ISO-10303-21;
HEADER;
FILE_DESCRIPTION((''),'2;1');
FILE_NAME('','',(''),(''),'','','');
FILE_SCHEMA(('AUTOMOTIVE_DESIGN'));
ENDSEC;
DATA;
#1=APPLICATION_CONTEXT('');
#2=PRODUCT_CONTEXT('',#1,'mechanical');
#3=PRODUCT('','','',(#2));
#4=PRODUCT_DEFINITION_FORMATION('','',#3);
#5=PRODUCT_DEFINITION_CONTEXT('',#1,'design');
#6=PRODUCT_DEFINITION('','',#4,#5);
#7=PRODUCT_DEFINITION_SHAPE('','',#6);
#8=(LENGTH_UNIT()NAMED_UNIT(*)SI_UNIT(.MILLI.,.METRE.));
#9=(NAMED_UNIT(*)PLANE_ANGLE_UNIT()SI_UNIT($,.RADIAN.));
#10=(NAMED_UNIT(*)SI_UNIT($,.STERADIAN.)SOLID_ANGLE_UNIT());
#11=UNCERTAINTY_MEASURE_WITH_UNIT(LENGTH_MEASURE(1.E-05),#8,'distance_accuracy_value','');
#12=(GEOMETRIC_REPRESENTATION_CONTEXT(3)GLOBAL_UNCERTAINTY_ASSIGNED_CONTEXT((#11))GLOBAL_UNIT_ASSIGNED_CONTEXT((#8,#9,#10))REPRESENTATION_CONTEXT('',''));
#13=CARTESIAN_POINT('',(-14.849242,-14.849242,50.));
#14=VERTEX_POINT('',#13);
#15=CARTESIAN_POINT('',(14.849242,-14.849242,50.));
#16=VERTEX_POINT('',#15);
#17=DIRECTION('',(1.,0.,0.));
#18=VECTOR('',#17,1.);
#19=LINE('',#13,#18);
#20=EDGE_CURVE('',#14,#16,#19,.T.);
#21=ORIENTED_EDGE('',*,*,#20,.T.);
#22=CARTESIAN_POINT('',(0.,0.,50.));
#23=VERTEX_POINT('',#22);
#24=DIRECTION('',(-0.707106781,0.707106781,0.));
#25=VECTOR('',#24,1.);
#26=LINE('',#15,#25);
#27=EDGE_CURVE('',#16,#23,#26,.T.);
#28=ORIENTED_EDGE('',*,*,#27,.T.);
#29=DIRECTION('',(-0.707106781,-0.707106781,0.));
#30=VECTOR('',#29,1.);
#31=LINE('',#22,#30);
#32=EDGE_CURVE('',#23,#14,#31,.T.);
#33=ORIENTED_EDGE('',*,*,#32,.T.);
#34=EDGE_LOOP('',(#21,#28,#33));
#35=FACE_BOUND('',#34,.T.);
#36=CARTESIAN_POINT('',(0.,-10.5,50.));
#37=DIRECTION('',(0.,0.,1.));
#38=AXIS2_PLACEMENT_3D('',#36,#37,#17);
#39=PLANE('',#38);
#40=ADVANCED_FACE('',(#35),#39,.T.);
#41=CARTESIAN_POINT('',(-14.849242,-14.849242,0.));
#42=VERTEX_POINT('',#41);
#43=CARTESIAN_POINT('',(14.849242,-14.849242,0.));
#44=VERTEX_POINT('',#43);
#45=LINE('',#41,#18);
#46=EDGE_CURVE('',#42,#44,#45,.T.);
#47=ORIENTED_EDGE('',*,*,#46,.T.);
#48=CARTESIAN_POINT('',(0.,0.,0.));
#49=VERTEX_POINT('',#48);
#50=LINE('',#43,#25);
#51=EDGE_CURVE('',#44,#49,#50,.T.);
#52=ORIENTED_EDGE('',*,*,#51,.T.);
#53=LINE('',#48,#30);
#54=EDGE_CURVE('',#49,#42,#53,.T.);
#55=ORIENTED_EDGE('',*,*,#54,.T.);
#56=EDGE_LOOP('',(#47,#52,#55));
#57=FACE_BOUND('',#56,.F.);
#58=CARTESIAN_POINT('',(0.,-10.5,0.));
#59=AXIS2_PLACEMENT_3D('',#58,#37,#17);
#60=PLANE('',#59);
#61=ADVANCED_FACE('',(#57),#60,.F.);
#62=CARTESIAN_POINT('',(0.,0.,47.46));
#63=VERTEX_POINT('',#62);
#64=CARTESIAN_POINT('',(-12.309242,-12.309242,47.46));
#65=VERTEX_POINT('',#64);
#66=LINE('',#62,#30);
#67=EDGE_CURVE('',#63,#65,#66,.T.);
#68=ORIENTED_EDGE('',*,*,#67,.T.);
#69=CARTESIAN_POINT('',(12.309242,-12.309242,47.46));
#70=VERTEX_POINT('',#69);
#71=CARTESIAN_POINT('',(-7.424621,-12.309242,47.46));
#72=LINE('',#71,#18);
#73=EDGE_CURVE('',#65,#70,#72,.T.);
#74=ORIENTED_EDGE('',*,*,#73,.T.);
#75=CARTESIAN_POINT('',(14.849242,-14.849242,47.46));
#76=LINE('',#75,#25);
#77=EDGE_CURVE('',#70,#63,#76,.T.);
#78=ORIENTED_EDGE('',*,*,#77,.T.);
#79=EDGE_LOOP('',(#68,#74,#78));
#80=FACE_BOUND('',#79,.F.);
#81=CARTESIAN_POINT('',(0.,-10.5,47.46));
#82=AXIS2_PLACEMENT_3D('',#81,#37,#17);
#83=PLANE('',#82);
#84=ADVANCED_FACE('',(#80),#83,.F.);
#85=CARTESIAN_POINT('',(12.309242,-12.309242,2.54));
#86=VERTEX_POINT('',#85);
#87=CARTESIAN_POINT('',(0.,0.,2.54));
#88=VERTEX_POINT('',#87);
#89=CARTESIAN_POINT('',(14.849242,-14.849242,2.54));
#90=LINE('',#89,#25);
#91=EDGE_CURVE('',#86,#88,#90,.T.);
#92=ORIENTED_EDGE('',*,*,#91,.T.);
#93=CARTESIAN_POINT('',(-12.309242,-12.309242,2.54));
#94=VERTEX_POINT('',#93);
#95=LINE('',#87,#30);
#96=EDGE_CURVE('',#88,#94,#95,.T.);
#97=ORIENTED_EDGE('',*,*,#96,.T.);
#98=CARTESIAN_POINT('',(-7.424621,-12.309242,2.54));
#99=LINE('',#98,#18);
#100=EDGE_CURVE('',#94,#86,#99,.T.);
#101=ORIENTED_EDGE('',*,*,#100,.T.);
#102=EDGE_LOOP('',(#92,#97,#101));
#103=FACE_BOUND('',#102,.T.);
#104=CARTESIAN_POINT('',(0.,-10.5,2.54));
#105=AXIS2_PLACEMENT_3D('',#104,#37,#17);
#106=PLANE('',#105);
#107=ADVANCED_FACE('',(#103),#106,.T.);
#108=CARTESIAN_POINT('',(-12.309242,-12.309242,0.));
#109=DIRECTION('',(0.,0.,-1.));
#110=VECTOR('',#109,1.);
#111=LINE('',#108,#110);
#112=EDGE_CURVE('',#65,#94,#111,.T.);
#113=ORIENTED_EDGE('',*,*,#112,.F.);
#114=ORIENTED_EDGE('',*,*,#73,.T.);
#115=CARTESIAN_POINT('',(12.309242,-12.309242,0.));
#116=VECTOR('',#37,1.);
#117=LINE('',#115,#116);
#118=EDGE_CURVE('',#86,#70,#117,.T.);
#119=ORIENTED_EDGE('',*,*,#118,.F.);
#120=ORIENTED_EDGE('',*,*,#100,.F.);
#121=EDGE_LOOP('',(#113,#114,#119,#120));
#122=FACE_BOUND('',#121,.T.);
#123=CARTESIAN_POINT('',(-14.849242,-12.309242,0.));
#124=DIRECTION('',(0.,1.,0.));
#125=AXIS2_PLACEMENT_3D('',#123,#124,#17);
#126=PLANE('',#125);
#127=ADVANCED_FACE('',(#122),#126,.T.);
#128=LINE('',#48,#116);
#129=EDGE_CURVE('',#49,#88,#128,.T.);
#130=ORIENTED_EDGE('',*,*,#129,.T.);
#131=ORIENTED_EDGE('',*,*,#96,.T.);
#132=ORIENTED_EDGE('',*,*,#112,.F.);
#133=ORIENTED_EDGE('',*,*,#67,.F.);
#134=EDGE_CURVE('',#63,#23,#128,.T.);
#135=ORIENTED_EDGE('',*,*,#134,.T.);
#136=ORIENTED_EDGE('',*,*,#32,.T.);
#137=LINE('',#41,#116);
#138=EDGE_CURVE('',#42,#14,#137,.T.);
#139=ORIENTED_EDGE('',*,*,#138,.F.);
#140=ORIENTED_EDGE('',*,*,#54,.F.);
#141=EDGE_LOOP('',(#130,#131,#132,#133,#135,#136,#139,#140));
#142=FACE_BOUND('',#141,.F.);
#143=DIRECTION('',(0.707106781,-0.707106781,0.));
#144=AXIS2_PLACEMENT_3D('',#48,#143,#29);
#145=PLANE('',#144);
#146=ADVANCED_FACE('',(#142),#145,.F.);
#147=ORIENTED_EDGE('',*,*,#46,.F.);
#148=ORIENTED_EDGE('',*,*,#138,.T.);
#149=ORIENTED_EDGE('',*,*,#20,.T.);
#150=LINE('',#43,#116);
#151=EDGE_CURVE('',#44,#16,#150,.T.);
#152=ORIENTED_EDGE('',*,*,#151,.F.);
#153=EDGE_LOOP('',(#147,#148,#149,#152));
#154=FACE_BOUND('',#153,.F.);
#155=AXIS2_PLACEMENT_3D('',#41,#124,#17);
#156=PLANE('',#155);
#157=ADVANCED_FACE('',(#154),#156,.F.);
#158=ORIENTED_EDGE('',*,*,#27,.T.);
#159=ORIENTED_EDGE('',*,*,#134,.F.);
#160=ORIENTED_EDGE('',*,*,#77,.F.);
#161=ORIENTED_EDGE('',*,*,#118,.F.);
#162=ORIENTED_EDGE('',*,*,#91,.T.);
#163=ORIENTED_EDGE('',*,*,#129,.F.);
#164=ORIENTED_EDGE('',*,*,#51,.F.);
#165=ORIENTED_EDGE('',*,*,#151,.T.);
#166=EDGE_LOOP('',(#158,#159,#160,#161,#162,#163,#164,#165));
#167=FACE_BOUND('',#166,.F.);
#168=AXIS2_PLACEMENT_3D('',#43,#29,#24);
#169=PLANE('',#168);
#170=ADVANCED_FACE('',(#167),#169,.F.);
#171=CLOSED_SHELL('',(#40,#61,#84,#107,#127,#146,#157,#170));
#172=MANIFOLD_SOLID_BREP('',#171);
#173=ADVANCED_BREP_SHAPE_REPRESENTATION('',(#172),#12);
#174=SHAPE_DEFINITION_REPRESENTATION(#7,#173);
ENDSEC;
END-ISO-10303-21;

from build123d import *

# Parameters (mm, degrees)
F1_DEPTH = 50
F2_T     = -2.54


with BuildPart() as f1:
    # F0 (on Top) → F1 (new body)
    with BuildSketch(Plane.XY):
        Polygon((14.849242, -14.849242), (0, 0), (-14.849242, -14.849242), align=None)
    extrude(amount=F1_DEPTH)

    # F2
    f2_openings = [f1.faces().sort_by_distance(p)[0] for p in [
        (-7.424621, -7.424621, 25),
        (7.424621, -7.424621, 25),
    ]]
    offset(amount=F2_T, openings=f2_openings)


solid = f1.part
